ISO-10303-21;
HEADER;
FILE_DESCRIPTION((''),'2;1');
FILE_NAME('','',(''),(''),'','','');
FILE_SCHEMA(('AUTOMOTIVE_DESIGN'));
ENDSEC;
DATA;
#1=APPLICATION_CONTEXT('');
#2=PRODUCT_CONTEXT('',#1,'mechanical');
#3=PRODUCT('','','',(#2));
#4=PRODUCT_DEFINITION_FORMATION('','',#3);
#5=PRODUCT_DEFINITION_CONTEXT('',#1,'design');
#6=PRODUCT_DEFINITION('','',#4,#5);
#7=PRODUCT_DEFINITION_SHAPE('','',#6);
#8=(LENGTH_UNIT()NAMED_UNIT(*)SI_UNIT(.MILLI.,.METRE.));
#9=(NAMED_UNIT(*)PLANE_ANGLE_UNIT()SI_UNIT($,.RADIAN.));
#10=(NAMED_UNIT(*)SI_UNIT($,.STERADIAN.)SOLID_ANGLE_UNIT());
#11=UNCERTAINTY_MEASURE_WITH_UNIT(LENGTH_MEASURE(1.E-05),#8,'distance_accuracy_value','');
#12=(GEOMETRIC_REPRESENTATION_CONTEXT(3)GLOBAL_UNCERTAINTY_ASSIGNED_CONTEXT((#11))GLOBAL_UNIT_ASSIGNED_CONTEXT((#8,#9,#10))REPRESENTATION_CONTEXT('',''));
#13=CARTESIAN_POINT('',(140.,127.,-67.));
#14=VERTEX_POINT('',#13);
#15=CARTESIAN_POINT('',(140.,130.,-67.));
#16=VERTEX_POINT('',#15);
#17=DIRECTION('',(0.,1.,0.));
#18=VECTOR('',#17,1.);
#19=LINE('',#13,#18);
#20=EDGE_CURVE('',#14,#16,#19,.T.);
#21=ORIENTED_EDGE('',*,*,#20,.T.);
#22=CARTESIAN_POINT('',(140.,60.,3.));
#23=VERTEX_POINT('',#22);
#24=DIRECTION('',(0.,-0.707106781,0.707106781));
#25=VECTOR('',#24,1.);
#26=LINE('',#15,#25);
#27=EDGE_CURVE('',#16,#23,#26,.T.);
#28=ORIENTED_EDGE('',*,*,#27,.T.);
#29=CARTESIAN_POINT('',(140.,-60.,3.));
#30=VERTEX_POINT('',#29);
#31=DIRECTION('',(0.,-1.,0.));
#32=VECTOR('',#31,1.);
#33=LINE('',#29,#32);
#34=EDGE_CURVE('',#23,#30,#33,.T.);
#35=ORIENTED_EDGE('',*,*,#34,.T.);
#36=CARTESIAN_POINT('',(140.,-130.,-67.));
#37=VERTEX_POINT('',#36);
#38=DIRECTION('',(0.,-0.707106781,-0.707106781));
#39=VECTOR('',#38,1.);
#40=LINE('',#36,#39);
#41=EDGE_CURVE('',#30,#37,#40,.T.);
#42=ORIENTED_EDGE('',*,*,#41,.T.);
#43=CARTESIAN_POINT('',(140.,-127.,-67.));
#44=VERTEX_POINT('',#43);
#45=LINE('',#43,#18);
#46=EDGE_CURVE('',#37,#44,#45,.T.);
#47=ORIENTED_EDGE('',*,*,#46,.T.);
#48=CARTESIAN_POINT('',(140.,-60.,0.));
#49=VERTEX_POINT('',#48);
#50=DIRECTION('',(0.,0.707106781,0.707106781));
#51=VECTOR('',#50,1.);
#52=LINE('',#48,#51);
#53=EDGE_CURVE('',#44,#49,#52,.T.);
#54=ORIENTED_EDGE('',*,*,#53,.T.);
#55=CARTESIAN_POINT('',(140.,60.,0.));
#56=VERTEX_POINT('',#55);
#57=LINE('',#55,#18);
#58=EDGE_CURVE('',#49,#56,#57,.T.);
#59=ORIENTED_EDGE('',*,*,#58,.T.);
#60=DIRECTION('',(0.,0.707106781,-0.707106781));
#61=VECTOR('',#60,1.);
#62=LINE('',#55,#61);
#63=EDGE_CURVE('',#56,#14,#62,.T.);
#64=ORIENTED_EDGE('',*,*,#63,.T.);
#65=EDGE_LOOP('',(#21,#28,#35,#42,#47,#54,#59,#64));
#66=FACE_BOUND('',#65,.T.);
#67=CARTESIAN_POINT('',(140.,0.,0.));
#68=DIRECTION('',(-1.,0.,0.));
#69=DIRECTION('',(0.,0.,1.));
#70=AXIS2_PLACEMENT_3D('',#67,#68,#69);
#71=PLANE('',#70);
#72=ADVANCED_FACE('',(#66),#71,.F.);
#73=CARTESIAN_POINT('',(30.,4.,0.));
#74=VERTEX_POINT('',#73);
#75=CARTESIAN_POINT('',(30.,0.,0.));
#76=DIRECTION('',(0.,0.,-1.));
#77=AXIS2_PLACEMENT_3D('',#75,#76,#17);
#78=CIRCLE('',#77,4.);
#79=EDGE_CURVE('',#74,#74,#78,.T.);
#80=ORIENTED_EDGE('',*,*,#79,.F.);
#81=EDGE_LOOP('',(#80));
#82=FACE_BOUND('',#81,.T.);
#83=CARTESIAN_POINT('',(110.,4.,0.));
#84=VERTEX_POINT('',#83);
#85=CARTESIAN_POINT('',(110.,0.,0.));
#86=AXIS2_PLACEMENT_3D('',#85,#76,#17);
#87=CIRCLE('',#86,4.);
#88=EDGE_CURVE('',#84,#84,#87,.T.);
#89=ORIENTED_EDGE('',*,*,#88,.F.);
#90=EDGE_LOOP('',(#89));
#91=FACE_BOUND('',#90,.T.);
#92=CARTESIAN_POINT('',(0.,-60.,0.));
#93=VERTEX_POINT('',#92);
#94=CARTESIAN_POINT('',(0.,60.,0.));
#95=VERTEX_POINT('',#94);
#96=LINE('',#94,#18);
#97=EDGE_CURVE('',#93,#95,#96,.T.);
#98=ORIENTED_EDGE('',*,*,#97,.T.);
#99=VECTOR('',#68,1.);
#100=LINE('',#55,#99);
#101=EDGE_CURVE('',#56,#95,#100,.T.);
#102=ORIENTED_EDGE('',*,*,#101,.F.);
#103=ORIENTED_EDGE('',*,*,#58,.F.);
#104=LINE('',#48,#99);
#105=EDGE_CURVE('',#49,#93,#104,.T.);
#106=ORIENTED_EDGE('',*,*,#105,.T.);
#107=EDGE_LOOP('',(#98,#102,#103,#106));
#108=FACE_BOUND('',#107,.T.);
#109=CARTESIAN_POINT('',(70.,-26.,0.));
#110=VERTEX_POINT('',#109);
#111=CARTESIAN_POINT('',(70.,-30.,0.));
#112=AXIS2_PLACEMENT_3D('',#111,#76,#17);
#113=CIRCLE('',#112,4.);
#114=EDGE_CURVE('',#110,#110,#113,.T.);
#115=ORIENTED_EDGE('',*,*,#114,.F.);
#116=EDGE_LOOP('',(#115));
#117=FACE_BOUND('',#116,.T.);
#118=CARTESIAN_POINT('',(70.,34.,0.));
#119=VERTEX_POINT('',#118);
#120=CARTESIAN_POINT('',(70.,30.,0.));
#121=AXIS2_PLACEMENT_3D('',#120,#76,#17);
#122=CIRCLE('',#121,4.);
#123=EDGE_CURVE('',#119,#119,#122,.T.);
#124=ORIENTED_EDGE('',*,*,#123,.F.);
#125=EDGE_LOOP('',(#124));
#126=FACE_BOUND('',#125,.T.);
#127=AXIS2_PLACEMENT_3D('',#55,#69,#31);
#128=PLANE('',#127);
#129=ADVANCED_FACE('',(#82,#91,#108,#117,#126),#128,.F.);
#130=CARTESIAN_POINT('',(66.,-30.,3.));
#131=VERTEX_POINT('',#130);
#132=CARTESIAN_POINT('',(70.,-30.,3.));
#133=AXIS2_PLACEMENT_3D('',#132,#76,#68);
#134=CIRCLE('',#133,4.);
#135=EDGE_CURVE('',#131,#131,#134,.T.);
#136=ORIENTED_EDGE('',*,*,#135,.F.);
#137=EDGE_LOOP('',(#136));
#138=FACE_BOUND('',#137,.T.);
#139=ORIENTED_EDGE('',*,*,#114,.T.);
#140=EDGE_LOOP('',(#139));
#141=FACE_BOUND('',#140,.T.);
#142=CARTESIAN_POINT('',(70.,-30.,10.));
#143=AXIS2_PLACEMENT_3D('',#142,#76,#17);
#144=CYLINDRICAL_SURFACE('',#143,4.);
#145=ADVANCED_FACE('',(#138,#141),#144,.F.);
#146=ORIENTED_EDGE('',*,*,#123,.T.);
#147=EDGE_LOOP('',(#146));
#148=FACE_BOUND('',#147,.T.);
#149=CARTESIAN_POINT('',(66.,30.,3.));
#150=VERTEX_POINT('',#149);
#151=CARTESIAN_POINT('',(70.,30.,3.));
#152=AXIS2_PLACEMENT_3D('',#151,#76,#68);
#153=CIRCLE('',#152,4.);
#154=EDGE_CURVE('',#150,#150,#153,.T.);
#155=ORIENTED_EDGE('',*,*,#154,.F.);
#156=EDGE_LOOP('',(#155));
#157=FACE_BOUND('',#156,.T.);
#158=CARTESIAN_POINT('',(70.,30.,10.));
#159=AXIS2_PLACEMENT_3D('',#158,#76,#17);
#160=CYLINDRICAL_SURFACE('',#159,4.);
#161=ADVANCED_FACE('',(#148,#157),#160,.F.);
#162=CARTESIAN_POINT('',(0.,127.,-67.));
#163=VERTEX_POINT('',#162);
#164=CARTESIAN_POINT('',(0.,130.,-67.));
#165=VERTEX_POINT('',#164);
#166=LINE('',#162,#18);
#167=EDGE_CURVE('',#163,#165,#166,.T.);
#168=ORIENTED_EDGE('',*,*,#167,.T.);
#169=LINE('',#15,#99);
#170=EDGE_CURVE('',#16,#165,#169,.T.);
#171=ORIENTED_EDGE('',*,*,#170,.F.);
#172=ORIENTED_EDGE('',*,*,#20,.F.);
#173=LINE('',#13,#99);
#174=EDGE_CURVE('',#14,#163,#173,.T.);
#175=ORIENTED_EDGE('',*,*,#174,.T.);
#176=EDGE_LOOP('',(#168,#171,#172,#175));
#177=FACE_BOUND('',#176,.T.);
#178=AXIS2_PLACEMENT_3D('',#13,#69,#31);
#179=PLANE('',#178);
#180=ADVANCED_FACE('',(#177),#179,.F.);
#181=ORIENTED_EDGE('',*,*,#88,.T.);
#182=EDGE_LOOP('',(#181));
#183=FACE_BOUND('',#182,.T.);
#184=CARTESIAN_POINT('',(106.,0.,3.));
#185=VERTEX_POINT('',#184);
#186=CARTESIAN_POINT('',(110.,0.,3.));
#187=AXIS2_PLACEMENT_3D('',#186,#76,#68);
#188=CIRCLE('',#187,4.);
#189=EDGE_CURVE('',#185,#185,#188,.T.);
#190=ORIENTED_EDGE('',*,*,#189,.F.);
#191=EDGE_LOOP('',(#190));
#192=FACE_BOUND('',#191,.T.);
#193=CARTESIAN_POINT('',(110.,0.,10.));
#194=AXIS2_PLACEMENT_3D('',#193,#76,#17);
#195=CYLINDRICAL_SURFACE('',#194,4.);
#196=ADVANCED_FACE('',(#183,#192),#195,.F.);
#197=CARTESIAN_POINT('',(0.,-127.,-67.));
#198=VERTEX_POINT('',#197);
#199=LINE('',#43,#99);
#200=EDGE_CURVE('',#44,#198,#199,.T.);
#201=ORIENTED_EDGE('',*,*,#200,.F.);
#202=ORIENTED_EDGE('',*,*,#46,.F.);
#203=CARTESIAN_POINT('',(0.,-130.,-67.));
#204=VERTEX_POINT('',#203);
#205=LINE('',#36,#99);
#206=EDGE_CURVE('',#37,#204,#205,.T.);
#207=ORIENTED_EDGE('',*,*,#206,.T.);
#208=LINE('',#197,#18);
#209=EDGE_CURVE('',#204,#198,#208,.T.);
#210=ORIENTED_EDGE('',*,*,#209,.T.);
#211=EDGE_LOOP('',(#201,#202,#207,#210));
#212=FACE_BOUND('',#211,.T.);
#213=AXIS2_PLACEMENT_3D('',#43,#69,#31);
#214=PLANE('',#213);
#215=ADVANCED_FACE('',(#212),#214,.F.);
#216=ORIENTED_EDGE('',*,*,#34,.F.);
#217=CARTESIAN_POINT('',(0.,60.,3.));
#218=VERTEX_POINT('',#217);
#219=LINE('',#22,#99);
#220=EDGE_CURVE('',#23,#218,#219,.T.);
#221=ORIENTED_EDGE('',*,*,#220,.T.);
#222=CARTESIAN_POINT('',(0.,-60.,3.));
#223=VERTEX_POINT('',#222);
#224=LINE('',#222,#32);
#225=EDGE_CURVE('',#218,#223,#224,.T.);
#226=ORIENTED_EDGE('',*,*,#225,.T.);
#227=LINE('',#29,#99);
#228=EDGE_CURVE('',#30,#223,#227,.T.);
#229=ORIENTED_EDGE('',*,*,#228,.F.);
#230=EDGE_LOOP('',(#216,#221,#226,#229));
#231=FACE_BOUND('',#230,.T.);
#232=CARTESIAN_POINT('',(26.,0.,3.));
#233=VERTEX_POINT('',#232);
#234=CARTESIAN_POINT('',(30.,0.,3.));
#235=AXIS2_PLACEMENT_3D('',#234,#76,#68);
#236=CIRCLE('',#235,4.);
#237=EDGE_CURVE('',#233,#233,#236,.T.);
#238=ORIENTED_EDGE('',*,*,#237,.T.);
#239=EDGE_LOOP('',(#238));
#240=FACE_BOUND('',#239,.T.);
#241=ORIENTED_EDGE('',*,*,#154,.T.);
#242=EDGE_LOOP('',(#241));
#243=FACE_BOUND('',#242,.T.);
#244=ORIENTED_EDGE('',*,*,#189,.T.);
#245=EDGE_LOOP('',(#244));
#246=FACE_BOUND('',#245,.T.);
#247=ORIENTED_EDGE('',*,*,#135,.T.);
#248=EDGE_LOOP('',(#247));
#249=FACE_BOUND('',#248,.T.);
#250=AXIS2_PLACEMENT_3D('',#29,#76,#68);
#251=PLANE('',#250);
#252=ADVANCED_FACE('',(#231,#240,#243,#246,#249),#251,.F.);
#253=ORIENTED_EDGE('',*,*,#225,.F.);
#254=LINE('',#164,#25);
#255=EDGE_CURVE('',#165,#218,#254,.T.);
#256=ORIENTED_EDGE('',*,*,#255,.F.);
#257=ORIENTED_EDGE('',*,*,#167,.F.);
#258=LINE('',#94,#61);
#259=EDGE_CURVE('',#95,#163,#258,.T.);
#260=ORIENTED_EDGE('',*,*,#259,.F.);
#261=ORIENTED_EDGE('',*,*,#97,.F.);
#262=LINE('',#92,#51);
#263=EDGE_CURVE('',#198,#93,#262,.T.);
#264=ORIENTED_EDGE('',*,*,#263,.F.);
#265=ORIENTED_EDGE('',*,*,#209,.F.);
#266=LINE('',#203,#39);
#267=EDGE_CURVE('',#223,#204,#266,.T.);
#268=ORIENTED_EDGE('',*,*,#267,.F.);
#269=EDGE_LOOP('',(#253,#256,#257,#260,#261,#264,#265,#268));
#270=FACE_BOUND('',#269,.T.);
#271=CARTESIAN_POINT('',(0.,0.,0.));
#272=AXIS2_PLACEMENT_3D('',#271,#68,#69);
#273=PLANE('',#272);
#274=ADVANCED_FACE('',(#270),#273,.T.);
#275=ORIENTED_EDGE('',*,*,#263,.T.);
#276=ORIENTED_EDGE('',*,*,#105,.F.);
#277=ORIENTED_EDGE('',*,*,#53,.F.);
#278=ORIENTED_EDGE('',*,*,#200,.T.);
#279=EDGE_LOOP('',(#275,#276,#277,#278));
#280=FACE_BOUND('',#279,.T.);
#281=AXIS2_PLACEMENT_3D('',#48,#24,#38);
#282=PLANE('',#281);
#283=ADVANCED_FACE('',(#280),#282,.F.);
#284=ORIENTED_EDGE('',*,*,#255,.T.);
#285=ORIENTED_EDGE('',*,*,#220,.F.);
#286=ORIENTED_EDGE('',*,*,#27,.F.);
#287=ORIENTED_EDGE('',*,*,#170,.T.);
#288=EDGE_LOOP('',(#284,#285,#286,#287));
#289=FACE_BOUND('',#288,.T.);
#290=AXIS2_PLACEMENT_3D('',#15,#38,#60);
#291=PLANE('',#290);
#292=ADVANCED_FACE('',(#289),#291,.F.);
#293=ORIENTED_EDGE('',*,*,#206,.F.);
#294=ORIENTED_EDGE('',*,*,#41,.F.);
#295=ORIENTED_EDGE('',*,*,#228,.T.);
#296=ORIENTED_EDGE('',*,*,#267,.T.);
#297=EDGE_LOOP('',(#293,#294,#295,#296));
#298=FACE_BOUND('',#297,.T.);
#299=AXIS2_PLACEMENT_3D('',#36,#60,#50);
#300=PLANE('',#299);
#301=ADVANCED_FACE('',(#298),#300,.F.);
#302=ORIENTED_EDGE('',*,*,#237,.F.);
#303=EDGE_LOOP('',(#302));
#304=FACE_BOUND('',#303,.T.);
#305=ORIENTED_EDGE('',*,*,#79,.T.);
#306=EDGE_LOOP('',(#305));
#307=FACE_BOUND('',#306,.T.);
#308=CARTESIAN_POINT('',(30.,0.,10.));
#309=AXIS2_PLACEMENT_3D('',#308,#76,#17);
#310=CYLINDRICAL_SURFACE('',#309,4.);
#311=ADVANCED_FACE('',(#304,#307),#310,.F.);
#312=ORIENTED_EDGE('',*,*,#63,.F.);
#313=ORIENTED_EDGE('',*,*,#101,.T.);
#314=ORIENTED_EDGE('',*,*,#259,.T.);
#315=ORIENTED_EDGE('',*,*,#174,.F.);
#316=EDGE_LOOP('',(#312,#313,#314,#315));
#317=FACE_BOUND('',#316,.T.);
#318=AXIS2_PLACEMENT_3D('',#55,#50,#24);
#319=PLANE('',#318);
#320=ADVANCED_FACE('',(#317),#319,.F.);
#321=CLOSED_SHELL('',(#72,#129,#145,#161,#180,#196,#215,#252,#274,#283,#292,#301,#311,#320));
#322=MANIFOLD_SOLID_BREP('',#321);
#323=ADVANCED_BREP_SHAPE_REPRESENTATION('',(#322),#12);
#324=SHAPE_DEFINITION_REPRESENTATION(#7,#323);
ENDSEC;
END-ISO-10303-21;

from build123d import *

# Parameters (mm, degrees)
BOSS_EXTRUDE1_DEPTH = 140
SKETCH2_R           = 4
CUT_EXTRUDE1_DEPTH  = 10


with BuildPart() as part:
    # Sketch1 → Boss-Extrude1 (new body)
    with BuildSketch(Plane.YZ):
        Polygon((60, 0), (-60, 0), (-127, -67), (-130, -67), (-60, 3), (60, 3), (130, -67), (127, -67), align=None)
    extrude(amount=BOSS_EXTRUDE1_DEPTH)

    # Sketch2 → Cut-Extrude1 (cut)
    with BuildSketch(Plane(origin=(0, 0, 0), x_dir=(1, 0, 0), z_dir=(0, 0, -1))):
        with Locations(Location((30, 0, 0), (0, 0, 270))):
            Circle(SKETCH2_R)
        with Locations(Location((110, 0, 0), (0, 0, 270))):
            Circle(SKETCH2_R)
        with Locations(Location((70, 30, 0), (0, 0, 270))):
            Circle(SKETCH2_R)
        with Locations(Location((70, -30, 0), (0, 0, 270))):
            Circle(SKETCH2_R)
    extrude(amount=-CUT_EXTRUDE1_DEPTH, mode=Mode.SUBTRACT)


solid = part.part
